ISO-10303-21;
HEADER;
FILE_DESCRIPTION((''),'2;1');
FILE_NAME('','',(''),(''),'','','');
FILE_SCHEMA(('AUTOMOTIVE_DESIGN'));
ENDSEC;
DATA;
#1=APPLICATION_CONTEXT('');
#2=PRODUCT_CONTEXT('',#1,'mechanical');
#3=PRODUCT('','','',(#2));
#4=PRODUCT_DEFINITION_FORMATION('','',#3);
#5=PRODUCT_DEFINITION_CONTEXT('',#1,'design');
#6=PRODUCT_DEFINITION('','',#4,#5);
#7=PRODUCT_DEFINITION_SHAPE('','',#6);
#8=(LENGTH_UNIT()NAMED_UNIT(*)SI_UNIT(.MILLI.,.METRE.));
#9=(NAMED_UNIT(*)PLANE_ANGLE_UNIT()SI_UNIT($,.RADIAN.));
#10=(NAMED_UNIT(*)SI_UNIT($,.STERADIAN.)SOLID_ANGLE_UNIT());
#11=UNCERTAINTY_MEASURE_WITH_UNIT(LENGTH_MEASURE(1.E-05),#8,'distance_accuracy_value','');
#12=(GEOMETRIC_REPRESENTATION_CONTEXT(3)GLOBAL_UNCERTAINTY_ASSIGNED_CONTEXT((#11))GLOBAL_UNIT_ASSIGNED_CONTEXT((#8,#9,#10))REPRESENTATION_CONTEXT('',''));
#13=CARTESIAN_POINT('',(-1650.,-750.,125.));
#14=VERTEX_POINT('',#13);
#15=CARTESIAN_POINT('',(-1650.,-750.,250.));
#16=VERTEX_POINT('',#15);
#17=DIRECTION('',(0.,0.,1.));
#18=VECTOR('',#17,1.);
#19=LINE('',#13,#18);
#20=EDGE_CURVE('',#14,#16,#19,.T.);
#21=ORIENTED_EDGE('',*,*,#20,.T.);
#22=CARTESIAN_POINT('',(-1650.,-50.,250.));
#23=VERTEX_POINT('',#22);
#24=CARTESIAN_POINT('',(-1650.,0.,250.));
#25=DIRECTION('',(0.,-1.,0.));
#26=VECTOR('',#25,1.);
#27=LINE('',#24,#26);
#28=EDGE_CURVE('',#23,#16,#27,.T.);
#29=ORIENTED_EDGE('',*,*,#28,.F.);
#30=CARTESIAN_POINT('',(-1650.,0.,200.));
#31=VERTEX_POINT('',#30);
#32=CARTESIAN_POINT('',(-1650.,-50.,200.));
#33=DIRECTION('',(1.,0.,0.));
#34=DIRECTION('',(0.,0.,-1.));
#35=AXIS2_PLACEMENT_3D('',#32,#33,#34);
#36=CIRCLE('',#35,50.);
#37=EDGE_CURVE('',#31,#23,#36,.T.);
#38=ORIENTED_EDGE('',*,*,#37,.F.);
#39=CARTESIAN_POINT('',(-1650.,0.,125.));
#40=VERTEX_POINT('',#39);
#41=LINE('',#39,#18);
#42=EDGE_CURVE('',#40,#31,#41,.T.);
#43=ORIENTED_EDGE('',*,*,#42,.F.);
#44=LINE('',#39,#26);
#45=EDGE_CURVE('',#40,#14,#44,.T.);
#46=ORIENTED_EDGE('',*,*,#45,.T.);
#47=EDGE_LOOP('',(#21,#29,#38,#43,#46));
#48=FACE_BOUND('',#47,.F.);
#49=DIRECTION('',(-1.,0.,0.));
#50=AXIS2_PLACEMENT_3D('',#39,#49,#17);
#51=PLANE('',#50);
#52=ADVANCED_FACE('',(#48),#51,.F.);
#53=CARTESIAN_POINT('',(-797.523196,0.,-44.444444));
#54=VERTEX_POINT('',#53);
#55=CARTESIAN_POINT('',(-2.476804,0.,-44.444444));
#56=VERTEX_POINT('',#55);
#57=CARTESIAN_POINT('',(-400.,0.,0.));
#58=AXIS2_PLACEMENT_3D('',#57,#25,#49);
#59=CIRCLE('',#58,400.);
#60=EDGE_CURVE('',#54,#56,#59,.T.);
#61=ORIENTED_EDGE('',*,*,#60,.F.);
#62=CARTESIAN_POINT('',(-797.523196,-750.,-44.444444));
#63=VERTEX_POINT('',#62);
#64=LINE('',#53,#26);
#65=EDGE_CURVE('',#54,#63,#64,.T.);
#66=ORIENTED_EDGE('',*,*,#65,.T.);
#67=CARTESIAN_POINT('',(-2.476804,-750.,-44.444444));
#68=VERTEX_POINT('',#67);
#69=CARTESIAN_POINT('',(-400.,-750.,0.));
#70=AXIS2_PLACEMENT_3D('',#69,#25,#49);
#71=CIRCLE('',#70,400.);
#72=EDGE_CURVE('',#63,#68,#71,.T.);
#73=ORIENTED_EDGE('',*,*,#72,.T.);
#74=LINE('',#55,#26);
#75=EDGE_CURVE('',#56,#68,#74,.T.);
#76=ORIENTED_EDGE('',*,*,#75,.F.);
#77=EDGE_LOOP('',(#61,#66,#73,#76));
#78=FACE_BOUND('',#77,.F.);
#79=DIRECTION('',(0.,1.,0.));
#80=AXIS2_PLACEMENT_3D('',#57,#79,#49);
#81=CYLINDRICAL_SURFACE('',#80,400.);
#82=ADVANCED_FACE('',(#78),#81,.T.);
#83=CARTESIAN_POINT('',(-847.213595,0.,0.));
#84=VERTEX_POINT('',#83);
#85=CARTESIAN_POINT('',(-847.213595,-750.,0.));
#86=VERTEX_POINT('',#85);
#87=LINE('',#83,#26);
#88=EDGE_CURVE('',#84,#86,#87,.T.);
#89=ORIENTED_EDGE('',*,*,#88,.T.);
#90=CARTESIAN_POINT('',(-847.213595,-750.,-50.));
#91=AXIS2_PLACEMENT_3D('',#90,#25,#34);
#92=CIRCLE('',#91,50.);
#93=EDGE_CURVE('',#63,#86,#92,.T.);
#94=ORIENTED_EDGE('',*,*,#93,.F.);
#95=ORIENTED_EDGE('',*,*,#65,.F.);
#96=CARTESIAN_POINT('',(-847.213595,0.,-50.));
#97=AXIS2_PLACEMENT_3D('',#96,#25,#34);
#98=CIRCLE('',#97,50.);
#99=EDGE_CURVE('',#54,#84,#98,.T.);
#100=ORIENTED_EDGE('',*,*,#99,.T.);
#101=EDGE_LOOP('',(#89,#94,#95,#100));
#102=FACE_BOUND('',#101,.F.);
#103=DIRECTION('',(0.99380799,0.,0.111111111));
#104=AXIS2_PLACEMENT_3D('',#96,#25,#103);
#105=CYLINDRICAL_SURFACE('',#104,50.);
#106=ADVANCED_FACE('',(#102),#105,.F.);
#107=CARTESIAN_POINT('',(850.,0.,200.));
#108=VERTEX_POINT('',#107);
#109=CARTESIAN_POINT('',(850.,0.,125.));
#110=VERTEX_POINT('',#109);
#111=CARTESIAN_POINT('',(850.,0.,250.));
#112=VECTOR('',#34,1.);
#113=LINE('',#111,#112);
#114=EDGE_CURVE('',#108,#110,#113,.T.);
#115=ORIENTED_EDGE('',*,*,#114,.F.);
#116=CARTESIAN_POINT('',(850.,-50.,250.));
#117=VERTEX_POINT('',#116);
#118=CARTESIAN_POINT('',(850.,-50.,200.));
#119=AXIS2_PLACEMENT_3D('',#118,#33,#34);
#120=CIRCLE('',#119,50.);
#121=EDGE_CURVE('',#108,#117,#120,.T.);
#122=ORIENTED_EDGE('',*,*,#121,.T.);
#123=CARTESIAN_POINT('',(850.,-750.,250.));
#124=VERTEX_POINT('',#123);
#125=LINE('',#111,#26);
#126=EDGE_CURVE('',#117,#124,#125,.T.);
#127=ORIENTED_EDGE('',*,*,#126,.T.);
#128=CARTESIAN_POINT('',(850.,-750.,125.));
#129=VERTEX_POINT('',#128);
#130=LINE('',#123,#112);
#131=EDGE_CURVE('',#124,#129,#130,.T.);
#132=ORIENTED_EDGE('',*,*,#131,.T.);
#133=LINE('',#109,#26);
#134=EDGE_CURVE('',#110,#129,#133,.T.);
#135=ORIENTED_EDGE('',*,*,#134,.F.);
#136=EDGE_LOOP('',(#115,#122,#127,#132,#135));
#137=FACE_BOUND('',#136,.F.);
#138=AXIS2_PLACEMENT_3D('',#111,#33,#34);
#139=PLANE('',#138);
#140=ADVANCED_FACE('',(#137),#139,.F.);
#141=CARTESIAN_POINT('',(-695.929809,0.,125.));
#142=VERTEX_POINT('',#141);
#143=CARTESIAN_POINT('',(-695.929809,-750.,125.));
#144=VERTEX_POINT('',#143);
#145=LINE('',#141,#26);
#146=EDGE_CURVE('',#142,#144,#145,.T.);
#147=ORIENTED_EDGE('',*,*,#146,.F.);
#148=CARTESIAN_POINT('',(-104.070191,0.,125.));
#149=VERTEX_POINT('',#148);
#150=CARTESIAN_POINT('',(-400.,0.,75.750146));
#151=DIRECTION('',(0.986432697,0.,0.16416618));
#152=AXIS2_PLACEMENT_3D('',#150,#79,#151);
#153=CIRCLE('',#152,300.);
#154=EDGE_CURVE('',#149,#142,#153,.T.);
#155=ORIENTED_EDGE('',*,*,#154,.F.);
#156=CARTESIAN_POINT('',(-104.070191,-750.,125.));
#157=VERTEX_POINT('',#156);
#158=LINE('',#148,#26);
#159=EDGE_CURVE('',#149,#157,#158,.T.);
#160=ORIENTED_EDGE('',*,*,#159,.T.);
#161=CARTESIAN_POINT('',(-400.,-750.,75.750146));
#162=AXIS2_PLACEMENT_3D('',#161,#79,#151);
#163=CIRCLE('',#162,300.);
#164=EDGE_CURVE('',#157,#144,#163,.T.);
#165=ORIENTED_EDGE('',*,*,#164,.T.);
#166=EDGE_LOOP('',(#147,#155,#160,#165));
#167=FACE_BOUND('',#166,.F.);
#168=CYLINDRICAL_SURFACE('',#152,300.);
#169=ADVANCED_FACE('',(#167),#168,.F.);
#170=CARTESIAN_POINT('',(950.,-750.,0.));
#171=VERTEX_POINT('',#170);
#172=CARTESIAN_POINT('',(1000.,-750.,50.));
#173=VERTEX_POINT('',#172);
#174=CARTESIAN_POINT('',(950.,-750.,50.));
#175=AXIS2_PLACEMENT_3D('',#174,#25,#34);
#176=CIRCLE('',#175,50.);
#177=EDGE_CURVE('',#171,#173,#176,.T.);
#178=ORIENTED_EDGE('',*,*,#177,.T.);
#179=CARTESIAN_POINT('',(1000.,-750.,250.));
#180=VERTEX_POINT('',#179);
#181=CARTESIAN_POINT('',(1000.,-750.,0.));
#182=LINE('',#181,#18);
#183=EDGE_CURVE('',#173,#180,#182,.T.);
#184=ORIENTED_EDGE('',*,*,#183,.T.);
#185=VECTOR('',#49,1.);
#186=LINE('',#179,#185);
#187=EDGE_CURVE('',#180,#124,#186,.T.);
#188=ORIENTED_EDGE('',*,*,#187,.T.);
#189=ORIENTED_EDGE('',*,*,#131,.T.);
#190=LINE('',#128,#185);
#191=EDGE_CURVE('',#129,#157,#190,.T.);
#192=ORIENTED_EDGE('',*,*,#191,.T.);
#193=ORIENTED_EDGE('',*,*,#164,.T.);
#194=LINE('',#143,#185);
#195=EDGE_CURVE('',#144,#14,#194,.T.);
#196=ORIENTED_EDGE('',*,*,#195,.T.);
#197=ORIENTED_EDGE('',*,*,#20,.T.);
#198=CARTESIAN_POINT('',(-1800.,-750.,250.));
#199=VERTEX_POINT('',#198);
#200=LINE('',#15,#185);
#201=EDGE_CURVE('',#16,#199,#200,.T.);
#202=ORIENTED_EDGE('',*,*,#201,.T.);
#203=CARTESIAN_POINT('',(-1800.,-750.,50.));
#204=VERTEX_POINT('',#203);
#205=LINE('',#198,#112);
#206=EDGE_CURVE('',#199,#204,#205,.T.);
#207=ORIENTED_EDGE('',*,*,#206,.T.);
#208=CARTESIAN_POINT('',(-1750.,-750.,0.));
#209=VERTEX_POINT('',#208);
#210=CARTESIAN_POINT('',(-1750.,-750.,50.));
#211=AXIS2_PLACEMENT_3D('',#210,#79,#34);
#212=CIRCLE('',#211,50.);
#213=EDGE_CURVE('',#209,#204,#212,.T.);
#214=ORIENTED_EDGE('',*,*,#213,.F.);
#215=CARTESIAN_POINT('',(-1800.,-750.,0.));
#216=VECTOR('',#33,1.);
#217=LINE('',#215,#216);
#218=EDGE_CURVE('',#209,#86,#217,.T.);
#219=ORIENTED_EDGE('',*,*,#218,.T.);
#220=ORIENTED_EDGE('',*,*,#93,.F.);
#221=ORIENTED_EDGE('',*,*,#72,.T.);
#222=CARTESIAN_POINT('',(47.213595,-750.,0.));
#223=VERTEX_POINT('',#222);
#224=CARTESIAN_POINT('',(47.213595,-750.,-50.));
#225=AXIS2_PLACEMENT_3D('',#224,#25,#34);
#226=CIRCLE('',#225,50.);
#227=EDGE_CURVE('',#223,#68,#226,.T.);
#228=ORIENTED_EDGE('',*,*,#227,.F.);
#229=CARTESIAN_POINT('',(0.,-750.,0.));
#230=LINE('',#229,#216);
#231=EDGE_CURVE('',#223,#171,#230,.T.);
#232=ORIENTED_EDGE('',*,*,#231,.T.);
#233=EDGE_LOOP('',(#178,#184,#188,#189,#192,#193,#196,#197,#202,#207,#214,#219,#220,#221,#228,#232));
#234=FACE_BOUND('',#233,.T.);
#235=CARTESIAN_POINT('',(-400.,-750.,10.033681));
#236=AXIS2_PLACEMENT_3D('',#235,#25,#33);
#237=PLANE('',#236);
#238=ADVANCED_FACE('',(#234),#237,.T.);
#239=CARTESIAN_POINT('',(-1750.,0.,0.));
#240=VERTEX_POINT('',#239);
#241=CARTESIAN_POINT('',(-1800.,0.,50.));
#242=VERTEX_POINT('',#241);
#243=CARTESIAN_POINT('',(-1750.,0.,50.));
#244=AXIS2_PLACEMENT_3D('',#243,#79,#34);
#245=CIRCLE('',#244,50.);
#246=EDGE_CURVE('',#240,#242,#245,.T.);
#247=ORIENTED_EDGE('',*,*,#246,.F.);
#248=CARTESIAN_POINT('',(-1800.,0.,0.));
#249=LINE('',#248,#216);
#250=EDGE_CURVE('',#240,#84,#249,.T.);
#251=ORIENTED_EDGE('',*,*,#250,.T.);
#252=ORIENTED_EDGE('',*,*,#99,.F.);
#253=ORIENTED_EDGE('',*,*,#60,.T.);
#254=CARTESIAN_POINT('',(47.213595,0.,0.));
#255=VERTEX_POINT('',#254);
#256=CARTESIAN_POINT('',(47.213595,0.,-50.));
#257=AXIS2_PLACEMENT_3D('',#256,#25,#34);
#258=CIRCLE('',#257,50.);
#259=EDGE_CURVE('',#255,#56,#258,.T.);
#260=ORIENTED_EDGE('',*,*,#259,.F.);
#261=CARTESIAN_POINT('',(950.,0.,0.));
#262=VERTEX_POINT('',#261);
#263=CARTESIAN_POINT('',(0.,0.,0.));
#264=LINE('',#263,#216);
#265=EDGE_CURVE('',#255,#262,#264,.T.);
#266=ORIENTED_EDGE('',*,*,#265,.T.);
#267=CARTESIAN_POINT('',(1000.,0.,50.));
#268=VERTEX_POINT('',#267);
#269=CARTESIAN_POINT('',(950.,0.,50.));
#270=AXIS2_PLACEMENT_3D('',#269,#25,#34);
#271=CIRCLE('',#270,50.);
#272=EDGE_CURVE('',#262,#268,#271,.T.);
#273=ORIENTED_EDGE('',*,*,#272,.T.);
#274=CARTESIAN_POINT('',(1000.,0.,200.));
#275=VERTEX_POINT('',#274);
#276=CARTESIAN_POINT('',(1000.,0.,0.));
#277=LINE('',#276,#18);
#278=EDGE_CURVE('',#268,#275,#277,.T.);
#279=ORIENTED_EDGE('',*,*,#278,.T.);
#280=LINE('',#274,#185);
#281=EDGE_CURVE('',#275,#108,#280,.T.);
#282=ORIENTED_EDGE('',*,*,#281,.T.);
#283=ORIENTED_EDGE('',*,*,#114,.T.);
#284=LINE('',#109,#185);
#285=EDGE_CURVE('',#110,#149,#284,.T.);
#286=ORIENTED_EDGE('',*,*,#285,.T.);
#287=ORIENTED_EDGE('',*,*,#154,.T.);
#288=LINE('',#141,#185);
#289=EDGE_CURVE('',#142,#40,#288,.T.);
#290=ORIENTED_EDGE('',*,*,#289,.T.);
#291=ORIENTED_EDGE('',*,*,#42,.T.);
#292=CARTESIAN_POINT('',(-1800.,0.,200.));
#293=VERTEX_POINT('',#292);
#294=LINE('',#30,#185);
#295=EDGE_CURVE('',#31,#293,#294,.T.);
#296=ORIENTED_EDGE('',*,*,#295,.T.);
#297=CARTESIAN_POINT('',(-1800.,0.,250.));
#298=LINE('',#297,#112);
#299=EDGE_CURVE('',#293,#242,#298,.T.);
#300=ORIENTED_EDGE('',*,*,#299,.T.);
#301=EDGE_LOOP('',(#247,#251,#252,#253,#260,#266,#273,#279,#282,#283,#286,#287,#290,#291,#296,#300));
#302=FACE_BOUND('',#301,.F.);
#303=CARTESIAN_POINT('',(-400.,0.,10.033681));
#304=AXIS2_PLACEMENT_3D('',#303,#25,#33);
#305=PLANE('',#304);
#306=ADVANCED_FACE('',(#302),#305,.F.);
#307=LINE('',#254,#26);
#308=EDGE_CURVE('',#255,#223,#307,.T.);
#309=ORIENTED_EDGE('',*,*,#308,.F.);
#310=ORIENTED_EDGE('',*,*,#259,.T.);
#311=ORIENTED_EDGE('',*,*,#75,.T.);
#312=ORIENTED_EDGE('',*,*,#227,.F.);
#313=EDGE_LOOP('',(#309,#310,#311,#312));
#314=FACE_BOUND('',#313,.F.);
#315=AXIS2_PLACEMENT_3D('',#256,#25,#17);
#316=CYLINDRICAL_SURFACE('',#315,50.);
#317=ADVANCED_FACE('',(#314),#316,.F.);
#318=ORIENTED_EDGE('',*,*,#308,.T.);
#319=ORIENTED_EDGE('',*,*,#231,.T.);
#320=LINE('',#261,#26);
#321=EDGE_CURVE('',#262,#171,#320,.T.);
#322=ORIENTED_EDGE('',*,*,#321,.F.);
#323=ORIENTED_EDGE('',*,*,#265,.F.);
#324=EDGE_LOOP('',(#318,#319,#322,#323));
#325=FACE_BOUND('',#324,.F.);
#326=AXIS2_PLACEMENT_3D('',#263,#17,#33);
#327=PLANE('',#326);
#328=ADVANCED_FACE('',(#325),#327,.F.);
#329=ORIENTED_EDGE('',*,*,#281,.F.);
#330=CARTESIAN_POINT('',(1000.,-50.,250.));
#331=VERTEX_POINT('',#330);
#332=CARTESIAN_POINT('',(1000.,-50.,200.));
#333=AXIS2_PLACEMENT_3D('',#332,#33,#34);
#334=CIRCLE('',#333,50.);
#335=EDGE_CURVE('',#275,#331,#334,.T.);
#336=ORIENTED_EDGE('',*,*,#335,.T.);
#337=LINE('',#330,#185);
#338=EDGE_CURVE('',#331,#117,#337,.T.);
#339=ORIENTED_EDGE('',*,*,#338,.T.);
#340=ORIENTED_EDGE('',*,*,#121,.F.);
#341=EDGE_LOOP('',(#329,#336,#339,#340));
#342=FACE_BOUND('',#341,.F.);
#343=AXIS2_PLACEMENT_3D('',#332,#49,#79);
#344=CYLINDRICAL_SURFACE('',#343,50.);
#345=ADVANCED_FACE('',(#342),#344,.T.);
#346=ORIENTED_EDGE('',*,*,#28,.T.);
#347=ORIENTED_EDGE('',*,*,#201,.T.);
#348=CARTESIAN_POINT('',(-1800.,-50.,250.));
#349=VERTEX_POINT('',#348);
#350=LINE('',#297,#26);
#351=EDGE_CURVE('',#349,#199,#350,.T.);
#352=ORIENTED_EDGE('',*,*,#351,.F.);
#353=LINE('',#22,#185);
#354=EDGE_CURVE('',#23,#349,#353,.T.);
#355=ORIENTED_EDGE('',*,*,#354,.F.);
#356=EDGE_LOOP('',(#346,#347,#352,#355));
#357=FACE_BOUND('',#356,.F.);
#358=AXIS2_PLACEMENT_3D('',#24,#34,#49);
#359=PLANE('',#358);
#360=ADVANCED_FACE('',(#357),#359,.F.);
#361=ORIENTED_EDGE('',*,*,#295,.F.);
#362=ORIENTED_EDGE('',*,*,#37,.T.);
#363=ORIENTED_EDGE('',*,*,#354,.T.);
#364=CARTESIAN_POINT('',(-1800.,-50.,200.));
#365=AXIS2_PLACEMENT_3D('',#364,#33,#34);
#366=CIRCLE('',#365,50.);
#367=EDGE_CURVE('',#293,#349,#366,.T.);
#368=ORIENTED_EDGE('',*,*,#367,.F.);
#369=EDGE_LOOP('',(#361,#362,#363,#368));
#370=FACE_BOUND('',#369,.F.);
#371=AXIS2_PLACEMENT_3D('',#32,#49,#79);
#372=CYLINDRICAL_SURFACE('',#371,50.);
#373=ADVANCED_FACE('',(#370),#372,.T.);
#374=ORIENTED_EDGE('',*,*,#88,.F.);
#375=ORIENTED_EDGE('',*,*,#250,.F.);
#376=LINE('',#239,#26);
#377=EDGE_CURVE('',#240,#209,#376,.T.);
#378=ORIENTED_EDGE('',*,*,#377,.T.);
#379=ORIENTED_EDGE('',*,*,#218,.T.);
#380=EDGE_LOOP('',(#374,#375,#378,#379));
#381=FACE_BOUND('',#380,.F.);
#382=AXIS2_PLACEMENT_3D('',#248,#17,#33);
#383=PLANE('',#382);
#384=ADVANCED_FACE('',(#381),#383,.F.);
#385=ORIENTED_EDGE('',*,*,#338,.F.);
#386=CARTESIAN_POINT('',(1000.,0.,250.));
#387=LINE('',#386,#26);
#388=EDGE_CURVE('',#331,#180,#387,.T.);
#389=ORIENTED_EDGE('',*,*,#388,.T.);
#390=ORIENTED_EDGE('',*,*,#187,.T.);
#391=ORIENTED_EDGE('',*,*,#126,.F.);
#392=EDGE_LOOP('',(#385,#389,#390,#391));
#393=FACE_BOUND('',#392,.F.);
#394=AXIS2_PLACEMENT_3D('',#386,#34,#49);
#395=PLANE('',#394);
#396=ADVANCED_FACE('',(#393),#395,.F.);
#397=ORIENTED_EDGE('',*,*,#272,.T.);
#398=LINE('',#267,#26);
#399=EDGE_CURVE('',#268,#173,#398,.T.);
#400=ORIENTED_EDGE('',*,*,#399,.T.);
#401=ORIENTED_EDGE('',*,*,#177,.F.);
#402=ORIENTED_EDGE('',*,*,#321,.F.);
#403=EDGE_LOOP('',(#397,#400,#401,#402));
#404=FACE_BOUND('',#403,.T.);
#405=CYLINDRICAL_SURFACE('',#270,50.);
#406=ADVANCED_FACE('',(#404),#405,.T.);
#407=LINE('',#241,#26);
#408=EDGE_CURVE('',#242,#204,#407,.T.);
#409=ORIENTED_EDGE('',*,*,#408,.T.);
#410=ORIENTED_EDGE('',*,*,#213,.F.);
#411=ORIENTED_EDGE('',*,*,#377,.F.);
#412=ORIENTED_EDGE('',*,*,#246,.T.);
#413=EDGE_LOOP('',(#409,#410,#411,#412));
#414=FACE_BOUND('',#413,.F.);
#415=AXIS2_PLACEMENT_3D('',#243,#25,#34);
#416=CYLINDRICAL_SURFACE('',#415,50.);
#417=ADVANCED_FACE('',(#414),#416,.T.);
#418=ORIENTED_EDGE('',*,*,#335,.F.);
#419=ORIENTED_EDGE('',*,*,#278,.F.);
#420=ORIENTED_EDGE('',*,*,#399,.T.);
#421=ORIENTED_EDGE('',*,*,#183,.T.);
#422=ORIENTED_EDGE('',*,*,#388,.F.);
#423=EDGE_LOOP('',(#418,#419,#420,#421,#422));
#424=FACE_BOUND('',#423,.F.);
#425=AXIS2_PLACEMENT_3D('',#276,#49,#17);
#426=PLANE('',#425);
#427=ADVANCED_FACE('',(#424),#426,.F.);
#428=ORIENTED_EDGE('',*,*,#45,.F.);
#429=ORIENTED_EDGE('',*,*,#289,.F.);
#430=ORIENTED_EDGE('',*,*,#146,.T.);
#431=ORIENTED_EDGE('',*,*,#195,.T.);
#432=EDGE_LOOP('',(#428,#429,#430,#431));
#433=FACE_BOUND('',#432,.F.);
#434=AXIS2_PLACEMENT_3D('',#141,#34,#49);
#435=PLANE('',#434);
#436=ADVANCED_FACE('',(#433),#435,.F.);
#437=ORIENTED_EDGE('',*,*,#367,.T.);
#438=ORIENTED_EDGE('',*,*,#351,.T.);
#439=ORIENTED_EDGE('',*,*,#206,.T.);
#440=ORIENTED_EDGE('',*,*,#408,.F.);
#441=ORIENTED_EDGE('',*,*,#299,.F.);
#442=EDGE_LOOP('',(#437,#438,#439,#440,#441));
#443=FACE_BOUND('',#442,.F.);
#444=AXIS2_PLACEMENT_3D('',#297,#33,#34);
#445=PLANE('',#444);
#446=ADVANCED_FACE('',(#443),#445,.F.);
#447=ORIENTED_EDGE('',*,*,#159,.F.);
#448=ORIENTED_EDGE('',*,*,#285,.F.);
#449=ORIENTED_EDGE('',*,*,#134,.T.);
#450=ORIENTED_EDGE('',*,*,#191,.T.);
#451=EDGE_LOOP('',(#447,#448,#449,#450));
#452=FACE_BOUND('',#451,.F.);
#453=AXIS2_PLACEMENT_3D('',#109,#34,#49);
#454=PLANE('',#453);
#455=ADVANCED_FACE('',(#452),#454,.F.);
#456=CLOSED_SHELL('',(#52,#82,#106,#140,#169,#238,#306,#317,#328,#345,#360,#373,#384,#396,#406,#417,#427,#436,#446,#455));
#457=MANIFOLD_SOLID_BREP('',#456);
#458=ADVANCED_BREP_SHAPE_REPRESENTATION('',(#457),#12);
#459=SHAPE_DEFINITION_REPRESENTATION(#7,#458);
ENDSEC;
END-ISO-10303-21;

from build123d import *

# Parameters (mm, degrees)
F1_DEPTH = 750
F2_R     = 50
F3_R     = 50
F4_R     = 50
F5_R     = 50
F6_R     = 50


with BuildPart() as f1:
    # F0 (on Front) → F1 (new body)
    with BuildSketch(Plane.XZ):
        with BuildLine():
            ThreePointArc((-800, 0), (-400, -400), (0, 0))
            Line((0, 0), (1000, 0))
            Line((1000, 0), (1000, 250))
            Line((1000, 250), (850, 250))
            Line((850, 250), (850, 125))
            Line((850, 125), (-104.070191, 125))
            ThreePointArc((-104.070191, 125), (-400, -224.249854), (-695.929809, 125))
            Line((-695.929809, 125), (-1650, 125))
            Line((-1650, 125), (-1650, 250))
            Line((-1650, 250), (-1800, 250))
            Line((-1800, 250), (-1800, 0))
            Line((-1800, 0), (-800, 0))
        make_face()
    extrude(amount=F1_DEPTH)

    # F2
    f2_edges = [f1.edges().sort_by_distance(p)[0] for p in [
        (1000, -375, 0),
    ]]
    fillet(f2_edges, radius=F2_R)

    # F3
    f3_edges = [f1.edges().sort_by_distance(p)[0] for p in [
        (925, 0, 250),
    ]]
    fillet(f3_edges, radius=F3_R)

    # F4
    f4_edges = [f1.edges().sort_by_distance(p)[0] for p in [
        (0, -375, 0),
    ]]
    fillet(f4_edges, radius=F4_R)

    # F5
    f5_edges = [f1.edges().sort_by_distance(p)[0] for p in [
        (-800, -375, 0),
    ]]
    fillet(f5_edges, radius=F5_R)

    # F6
    f6_edges = [f1.edges().sort_by_distance(p)[0] for p in [
        (-1800, -375, 0),
        (-1725, 0, 250),
    ]]
    fillet(f6_edges, radius=F6_R)


solid = f1.part
